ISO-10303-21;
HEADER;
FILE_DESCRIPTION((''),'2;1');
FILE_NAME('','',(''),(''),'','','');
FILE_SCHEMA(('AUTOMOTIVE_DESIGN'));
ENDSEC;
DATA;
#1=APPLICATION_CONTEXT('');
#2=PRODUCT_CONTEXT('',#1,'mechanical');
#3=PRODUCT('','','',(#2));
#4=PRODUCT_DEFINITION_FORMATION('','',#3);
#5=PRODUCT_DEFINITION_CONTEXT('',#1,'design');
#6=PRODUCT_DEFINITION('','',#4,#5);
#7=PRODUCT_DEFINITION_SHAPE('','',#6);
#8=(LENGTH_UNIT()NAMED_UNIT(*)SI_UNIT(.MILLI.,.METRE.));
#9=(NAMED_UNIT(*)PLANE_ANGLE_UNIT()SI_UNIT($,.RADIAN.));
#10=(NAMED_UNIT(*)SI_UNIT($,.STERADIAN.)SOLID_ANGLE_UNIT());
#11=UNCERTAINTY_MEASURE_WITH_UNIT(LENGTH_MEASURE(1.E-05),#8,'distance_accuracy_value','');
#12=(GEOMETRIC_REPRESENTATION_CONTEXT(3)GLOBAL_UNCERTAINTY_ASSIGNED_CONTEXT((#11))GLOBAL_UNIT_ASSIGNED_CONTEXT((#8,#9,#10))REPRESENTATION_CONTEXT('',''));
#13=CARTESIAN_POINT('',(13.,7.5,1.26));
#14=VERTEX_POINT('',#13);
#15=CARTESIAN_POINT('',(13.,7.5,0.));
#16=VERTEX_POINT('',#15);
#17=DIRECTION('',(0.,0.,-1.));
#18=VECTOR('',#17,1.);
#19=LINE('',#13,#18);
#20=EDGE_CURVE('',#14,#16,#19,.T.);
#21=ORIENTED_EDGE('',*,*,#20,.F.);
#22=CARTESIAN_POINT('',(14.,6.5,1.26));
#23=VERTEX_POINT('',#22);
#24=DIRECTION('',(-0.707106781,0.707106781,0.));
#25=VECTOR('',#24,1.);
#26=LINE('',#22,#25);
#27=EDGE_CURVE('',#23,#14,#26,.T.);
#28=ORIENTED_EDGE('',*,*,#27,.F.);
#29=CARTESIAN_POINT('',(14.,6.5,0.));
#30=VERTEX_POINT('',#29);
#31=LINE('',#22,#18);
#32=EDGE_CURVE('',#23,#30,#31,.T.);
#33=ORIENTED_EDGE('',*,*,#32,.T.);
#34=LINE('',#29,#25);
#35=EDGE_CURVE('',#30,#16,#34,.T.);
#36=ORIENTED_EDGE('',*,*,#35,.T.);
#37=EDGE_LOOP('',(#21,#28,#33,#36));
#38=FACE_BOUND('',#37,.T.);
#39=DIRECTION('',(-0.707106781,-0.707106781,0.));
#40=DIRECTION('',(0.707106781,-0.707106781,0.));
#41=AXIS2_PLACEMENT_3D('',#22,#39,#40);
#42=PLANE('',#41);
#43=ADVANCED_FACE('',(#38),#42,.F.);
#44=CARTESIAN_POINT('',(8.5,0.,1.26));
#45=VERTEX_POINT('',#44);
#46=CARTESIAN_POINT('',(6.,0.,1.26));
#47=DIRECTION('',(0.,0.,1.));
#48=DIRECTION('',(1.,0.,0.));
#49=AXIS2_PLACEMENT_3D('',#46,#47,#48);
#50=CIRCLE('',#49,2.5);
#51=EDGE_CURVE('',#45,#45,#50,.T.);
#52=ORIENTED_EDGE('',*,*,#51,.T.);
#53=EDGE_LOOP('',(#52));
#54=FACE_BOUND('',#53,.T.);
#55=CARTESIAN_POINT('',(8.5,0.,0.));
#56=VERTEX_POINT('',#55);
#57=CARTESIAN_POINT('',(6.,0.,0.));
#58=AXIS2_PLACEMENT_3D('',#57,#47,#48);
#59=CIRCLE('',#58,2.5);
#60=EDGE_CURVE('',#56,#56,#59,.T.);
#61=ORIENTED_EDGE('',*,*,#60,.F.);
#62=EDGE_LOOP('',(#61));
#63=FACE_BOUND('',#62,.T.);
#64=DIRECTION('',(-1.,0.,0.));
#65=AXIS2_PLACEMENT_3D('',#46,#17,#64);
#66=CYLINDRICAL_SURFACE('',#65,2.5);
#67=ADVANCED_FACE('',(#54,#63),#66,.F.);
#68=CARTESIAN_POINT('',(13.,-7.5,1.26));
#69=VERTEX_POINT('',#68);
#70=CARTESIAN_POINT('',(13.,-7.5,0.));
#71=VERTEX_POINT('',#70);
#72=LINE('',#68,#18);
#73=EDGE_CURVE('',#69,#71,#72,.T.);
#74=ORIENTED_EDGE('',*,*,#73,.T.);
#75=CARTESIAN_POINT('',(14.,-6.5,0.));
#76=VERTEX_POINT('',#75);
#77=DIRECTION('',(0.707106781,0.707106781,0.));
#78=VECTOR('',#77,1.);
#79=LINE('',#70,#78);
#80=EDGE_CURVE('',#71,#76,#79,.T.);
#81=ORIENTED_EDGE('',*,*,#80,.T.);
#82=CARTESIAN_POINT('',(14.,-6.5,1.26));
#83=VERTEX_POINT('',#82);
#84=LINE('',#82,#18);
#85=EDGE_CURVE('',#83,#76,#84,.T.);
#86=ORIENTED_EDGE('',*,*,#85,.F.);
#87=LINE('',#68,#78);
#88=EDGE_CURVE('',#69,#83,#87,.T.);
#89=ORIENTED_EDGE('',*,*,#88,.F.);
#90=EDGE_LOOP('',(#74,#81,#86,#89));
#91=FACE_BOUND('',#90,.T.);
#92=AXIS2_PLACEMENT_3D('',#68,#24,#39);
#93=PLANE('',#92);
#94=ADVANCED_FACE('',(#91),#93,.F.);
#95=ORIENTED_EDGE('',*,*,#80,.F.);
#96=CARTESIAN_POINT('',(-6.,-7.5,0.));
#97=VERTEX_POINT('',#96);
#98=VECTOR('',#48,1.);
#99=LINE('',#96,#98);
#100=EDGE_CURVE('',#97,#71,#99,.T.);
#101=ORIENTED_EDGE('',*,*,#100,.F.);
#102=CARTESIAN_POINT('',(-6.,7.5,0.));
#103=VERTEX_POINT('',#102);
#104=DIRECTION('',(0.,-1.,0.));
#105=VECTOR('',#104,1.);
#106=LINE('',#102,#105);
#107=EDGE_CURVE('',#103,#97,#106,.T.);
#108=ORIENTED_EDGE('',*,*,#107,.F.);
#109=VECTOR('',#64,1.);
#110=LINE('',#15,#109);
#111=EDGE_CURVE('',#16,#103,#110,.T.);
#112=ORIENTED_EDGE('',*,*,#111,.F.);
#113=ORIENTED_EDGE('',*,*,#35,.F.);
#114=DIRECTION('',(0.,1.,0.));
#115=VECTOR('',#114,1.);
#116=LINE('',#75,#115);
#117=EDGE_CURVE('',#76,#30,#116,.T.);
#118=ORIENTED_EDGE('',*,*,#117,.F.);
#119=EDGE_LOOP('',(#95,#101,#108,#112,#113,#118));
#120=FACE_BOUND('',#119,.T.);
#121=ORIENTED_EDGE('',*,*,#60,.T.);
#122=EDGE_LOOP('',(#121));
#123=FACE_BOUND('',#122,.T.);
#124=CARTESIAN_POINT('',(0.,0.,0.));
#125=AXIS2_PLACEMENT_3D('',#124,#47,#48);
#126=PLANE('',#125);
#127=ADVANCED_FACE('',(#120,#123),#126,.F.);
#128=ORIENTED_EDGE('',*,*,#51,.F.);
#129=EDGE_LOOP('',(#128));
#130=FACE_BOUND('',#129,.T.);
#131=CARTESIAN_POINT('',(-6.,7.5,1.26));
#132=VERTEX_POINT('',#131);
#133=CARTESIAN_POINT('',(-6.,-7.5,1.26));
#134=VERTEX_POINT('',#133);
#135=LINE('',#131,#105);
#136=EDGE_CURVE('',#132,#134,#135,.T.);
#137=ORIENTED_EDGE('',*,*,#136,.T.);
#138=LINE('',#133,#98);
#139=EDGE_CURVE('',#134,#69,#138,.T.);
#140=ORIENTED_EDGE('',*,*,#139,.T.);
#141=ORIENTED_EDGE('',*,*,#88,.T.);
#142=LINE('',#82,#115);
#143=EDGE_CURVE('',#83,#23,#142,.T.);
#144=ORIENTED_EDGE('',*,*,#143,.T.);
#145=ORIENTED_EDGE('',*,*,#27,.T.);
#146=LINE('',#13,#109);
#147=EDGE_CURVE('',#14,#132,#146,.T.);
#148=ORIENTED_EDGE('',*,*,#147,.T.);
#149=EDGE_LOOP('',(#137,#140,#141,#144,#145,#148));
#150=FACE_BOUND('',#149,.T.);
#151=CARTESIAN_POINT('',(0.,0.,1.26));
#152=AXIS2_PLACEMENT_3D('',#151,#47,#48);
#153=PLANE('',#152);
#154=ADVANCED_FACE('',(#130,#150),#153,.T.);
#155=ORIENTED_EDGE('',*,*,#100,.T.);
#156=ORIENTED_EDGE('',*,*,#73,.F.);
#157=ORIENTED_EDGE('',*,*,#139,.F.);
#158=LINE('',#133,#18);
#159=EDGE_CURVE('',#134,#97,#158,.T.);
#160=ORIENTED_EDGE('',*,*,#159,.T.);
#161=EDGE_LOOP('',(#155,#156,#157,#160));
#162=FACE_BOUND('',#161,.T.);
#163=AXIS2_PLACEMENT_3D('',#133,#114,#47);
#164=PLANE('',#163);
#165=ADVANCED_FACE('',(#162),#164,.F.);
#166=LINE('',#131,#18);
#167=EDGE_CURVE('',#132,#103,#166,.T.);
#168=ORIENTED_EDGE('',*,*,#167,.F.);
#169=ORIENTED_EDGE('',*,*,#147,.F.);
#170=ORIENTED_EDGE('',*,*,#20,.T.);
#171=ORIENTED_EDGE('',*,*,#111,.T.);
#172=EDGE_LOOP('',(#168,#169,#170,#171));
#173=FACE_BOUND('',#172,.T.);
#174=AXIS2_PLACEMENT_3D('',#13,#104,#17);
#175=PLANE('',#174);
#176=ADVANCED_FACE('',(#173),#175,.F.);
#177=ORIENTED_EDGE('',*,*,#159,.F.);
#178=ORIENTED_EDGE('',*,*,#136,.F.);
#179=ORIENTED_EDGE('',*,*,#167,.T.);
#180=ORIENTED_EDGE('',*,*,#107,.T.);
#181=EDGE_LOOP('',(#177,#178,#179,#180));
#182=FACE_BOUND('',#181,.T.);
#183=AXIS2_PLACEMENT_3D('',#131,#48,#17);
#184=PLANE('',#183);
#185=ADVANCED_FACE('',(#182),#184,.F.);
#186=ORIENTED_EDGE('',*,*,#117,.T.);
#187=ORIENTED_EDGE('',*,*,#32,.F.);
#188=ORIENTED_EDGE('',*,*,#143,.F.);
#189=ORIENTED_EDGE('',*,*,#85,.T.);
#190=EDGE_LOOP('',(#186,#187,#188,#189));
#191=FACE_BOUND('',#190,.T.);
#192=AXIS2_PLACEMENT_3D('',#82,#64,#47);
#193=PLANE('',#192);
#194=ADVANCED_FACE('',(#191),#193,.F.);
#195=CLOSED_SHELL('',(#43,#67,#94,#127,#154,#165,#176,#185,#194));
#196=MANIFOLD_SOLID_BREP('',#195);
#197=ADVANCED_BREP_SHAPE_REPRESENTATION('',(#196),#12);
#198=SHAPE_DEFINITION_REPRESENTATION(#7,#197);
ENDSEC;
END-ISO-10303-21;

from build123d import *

# Parameters (mm, degrees)
ESBO_O1_R                = 2.5
RESSALTO_EXTRUS_O1_DEPTH = 1.26


with BuildPart() as part:
    # Esboço1 → Ressalto-extrusão1 (new body)
    with BuildSketch(Plane.XY):
        Polygon((14, -6.5), (14, 6.5), (13, 7.5), (-6, 7.5), (-6, -7.5), (13, -7.5), align=None)
        with Locations((6, 0)):
            Circle(ESBO_O1_R, mode=Mode.SUBTRACT)
    extrude(amount=RESSALTO_EXTRUS_O1_DEPTH)


solid = part.part
